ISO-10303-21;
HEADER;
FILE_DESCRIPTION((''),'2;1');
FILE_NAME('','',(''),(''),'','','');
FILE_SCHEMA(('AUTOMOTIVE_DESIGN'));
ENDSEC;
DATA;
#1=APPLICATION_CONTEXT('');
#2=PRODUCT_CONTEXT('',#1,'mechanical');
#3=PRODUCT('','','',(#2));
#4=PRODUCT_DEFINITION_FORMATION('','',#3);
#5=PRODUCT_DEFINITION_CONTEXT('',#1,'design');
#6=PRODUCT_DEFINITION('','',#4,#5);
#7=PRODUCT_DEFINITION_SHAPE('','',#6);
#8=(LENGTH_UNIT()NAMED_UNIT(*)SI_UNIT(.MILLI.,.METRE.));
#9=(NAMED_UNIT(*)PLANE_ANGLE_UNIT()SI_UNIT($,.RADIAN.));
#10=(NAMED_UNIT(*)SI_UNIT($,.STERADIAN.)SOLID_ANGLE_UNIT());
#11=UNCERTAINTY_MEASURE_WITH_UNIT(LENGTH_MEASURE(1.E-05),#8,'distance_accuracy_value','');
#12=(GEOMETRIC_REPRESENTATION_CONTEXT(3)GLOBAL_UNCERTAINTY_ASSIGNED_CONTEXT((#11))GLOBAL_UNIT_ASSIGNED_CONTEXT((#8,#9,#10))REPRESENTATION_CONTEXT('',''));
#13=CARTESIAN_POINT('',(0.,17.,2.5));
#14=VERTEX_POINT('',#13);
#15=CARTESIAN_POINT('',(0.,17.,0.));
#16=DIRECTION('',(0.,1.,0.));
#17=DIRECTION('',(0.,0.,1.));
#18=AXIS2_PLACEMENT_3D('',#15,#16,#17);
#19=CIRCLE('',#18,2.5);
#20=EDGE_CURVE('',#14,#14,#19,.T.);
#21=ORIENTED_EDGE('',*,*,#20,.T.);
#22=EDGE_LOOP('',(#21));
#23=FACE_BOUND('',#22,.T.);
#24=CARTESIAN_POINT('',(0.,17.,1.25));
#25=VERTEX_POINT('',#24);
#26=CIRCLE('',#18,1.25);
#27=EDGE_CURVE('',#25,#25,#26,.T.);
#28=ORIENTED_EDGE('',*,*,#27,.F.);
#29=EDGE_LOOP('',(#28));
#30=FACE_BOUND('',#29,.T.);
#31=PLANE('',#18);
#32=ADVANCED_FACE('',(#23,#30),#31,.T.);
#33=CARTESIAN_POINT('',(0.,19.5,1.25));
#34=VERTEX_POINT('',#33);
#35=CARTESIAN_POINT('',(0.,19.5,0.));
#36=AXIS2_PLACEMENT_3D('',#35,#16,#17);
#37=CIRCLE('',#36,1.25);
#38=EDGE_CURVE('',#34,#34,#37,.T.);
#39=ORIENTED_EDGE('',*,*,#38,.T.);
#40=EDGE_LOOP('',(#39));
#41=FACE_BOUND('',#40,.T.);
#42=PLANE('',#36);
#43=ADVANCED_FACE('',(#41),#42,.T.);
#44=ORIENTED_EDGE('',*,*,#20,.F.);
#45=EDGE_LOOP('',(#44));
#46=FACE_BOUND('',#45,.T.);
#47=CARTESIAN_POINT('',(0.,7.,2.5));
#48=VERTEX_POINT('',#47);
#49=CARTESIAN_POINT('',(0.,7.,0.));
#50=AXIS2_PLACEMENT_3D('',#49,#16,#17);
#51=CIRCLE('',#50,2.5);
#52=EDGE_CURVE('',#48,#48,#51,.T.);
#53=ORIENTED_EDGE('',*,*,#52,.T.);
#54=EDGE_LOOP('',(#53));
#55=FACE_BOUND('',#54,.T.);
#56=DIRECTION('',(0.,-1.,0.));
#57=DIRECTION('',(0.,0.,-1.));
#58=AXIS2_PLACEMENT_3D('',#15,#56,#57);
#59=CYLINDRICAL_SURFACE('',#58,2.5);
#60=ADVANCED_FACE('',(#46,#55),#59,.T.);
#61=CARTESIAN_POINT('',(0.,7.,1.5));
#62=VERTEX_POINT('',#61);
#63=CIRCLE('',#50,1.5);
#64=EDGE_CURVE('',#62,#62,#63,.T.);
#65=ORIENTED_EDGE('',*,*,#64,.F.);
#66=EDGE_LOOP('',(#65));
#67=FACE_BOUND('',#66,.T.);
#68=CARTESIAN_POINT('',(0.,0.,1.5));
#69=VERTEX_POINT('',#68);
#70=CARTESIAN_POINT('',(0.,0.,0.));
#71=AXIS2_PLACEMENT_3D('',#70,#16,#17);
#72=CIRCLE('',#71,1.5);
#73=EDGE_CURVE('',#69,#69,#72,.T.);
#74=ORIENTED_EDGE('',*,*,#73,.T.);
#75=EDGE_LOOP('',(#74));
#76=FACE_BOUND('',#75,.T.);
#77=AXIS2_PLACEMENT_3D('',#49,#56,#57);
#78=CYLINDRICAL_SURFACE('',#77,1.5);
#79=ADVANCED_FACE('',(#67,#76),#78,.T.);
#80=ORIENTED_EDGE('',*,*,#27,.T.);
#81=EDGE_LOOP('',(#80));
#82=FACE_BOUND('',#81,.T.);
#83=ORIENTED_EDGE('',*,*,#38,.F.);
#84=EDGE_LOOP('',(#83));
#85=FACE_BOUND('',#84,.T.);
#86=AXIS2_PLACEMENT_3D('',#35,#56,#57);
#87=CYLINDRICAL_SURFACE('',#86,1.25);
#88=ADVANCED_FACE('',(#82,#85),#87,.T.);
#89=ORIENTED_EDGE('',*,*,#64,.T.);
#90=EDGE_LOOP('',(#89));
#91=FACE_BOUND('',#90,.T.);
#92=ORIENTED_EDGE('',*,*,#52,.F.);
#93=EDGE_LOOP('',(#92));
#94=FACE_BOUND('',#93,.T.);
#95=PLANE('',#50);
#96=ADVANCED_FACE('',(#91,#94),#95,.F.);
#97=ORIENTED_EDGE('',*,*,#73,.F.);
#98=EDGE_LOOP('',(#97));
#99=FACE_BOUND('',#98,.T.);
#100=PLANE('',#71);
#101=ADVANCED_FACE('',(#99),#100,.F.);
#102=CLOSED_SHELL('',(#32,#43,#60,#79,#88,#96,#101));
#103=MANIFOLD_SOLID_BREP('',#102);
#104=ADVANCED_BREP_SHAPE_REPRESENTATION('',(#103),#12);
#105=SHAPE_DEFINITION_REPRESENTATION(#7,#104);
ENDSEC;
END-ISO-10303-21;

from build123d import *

# Parameters (mm, degrees)
SKETCH_1_R      = 1.5
EXTRUDE_1_DEPTH = 7
SKETCH_2_R      = 2.5
EXTRUDE_2_DEPTH = 10
SKETCH_3_R      = 1.25
EXTRUDE_3_DEPTH = 2.5


with BuildPart() as part:
    # 草图1 → 凸台-拉伸1 (new body)
    with BuildSketch(Plane(origin=(0, 0, 0), x_dir=(1, 0, 0), z_dir=(0, 1, 0))):
        with Locations(Location((0, 0, 0), (0, 0, 270))):
            Circle(SKETCH_1_R)
    extrude(amount=EXTRUDE_1_DEPTH)

    # 草图2 → 凸台-拉伸2 (add)
    with BuildSketch(Plane(origin=(0, 7, 0), x_dir=(1, 0, 0), z_dir=(0, 1, 0))):
        with Locations(Location((0, 0, 0), (0, 0, 270))):
            Circle(SKETCH_2_R)
    extrude(amount=EXTRUDE_2_DEPTH)

    # 草图3 → 凸台-拉伸3 (add)
    with BuildSketch(Plane(origin=(0, 17, 0), x_dir=(1, 0, 0), z_dir=(0, 1, 0))):
        with Locations(Location((0, 0, 0), (0, 0, 270))):
            Circle(SKETCH_3_R)
    extrude(amount=EXTRUDE_3_DEPTH)


solid = part.part
